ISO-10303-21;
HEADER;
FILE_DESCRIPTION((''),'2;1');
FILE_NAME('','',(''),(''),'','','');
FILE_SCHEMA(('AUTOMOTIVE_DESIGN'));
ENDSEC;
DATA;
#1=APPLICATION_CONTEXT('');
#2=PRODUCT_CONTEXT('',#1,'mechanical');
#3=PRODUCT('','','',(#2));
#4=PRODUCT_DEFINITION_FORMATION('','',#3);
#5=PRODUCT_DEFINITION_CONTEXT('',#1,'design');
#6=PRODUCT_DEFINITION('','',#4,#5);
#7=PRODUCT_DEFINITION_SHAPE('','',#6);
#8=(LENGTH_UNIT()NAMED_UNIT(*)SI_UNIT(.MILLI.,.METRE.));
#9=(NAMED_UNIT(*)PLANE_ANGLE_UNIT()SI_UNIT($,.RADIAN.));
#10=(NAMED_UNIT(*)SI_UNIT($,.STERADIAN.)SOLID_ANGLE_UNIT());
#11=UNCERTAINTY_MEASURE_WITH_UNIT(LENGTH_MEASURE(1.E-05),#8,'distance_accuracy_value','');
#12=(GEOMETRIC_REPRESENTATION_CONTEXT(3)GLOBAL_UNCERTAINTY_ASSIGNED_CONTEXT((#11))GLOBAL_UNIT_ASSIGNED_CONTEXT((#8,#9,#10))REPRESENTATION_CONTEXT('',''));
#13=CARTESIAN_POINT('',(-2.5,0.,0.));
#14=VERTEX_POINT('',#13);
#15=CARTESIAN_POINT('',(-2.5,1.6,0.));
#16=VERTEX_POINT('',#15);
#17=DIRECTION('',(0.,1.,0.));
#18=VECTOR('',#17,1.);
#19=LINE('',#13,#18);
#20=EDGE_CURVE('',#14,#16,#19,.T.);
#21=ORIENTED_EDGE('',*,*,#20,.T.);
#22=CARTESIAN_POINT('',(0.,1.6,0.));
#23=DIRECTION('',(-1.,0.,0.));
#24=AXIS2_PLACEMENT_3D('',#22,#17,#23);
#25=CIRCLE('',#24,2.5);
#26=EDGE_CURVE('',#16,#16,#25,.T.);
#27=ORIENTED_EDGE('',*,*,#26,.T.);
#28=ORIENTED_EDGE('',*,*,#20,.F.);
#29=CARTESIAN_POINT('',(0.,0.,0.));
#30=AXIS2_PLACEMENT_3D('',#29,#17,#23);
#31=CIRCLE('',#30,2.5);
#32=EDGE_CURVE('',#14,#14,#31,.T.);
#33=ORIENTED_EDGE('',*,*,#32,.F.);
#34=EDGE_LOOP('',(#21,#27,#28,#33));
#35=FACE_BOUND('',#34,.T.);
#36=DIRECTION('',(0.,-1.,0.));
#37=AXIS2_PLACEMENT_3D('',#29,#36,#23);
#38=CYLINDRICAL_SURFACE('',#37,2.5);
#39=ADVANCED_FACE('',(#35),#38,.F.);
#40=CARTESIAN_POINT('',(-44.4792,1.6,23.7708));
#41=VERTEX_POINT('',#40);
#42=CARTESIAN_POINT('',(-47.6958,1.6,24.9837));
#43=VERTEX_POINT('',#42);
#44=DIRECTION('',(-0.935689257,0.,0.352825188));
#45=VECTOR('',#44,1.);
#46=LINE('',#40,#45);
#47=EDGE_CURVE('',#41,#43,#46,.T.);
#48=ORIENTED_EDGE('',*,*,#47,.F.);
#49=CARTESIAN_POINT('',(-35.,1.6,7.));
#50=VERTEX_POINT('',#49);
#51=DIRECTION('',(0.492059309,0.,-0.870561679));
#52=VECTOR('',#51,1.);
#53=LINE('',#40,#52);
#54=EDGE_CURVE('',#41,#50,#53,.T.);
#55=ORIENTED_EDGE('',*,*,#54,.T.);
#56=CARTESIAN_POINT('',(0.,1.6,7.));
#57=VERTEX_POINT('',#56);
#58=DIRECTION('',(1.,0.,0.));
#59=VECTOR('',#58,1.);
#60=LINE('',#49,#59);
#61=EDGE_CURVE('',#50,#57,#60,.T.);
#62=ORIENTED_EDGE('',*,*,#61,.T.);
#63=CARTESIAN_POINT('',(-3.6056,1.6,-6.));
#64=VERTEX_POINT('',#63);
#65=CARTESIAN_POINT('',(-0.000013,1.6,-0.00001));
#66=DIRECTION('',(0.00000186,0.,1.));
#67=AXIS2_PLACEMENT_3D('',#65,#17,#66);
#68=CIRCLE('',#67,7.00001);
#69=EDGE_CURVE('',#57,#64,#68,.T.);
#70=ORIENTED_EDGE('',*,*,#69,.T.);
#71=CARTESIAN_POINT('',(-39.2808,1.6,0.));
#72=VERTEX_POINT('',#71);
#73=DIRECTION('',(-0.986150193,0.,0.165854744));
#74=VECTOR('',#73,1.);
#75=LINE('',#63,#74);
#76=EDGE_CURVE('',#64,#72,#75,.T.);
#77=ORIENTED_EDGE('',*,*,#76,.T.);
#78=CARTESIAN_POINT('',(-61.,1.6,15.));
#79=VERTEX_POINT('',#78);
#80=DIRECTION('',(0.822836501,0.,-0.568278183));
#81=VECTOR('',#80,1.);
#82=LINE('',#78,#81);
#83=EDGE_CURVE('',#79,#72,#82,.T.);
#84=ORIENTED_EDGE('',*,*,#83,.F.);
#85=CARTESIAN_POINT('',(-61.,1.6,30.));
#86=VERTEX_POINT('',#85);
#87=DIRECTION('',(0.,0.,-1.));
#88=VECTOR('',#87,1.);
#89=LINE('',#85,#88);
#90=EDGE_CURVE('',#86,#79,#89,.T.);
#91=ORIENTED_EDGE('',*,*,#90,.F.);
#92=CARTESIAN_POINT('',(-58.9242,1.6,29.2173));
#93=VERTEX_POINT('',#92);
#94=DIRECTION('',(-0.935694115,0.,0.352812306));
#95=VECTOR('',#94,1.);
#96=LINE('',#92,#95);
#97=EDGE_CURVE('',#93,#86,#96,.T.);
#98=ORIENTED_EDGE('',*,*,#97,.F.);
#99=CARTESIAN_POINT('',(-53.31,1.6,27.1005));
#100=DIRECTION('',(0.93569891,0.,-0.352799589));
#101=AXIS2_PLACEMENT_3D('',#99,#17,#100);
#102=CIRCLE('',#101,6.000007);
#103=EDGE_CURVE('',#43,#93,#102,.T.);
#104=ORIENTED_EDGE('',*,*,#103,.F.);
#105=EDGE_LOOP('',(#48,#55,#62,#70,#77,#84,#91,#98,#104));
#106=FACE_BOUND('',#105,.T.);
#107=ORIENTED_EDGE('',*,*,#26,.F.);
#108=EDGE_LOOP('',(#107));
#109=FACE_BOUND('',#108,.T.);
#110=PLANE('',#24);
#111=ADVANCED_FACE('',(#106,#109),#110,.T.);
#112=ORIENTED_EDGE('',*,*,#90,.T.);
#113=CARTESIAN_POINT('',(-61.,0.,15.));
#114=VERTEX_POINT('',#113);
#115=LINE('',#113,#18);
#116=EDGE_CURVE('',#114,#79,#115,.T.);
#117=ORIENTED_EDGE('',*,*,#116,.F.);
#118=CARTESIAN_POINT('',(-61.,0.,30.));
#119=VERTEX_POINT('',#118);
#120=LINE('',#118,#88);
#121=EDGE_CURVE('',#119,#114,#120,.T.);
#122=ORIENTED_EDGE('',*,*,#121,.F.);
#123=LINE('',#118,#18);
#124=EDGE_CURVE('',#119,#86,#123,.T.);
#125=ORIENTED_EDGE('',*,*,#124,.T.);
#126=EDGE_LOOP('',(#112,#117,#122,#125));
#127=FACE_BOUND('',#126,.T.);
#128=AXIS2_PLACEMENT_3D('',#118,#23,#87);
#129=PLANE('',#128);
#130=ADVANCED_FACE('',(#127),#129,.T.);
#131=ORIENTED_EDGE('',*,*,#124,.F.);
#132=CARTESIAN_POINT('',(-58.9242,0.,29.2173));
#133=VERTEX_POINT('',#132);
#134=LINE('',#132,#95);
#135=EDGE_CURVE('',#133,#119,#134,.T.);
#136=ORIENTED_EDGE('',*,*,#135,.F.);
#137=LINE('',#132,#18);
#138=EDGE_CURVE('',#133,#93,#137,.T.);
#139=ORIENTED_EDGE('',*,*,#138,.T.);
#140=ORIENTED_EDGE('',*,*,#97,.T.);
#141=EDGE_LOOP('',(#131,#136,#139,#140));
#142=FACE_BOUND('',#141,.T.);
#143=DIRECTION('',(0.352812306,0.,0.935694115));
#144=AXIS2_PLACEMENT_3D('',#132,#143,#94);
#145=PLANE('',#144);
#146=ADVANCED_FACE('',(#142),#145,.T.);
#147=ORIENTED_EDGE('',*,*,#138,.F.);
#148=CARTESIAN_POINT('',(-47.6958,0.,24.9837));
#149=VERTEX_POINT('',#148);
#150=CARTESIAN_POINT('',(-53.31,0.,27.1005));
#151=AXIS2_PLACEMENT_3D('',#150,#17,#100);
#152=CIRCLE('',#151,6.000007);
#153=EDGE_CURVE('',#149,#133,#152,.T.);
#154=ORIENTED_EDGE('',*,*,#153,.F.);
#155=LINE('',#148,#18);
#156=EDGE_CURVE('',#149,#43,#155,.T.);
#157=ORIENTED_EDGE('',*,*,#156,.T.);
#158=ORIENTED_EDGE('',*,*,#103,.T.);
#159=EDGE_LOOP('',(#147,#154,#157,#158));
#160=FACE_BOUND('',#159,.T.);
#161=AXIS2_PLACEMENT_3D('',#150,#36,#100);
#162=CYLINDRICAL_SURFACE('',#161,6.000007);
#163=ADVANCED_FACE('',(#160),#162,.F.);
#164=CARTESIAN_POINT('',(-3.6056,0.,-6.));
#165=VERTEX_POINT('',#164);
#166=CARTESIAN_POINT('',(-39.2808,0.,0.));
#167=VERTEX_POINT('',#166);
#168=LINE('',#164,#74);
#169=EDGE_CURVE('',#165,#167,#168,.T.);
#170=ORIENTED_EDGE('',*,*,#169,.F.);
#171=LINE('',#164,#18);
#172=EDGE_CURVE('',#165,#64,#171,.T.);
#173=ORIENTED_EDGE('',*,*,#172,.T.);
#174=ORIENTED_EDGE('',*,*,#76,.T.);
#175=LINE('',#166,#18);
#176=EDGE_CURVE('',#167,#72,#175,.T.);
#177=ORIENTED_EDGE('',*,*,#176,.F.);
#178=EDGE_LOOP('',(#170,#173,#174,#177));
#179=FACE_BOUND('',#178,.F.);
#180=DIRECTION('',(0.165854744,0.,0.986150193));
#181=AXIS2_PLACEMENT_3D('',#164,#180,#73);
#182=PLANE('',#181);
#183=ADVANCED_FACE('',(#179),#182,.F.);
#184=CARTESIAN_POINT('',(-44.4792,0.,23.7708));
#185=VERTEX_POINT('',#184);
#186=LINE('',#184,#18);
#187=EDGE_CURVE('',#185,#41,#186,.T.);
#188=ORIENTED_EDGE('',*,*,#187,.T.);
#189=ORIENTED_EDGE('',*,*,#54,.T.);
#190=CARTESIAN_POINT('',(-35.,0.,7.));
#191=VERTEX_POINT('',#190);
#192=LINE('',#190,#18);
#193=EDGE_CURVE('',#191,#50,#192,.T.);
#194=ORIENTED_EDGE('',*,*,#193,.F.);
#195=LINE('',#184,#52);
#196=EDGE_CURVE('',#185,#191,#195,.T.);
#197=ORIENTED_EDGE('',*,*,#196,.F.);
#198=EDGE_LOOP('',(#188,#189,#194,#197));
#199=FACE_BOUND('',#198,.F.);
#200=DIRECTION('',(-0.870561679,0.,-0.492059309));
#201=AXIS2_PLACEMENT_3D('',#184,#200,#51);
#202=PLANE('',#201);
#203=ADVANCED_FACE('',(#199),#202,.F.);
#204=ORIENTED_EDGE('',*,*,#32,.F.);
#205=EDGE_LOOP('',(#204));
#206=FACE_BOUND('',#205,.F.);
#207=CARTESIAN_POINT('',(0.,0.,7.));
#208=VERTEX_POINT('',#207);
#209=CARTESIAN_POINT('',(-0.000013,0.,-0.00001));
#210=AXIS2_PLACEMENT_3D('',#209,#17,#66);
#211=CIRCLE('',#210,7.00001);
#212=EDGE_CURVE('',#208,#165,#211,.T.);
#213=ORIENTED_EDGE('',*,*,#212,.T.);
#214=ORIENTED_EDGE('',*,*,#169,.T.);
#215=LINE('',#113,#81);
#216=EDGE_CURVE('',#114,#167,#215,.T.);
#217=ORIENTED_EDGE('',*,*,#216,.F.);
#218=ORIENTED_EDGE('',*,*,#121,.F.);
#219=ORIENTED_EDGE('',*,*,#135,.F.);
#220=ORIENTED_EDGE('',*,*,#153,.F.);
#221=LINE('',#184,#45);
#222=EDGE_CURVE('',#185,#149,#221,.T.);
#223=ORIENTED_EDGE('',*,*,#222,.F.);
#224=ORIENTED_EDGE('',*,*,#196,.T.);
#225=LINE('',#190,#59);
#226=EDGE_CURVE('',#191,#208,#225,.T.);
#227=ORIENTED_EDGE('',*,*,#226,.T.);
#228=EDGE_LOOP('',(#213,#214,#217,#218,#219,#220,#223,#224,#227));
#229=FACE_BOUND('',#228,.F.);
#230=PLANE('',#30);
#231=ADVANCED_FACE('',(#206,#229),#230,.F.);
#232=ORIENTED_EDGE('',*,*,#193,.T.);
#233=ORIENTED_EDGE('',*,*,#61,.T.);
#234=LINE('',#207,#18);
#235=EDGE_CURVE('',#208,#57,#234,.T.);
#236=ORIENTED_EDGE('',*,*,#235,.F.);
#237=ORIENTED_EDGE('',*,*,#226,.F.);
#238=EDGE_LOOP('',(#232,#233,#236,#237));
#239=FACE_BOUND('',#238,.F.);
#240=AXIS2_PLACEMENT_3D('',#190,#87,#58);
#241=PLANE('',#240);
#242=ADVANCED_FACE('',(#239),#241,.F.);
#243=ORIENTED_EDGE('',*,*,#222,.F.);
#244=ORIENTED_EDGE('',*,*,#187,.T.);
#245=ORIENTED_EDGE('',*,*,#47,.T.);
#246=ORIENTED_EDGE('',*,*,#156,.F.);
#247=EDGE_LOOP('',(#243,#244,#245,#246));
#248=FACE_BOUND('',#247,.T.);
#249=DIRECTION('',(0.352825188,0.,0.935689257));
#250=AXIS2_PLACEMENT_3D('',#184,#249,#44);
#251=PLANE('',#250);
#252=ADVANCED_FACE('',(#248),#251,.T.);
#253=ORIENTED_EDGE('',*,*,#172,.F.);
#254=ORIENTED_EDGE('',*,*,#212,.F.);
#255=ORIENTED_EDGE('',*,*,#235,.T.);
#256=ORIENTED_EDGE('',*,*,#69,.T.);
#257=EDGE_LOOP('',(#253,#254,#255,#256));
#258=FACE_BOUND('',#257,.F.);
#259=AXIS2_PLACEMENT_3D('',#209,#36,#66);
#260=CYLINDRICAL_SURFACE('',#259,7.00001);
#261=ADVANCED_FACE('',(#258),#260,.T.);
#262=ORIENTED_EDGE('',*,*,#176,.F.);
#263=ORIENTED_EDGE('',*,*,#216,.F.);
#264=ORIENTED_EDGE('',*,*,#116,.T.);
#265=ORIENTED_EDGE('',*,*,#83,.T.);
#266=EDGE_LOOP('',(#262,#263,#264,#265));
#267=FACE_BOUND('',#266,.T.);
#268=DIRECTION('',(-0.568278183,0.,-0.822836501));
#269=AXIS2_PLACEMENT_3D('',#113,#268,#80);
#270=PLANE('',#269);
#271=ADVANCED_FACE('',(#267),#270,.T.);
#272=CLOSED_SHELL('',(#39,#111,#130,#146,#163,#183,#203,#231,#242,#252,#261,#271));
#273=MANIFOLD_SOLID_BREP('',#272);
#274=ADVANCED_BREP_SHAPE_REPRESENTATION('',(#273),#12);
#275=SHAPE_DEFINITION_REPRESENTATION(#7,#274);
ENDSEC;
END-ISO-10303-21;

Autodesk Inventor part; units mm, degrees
ref_plane "YZ Plane" through (0, 0, 0) normal (1, 0, 0) x (0, 1, 0)
ref_plane "XZ Plane" through (0, 0, 0) normal (0, 1, 0) x (-1, 0, 0)
ref_plane "XY Plane" through (0, 0, 0) normal (0, 0, 1) x (1, 0, 0)
sketch "Szkic1" plane through (0, 0, 0) normal (0, 1, 0) x (-1, 0, 0)
  arc A0 (0, 7) -> (3.6056, -6) centre (0, 0) ccw
  line L0 (3.6056, -6) -> (39.2808, 0)
  line L1 (44.4792, 23.7708) -> (35, 7)
  line L2 (35, 7) -> (0, 7)
  circle A1 centre (0, 0) radius 2.5
  line L3 (61, 30) -> (61, 15)
  line L4 (61, 15) -> (39.2808, 0)
  arc A2 (47.6958, 24.9837) -> (58.9242, 29.2173) centre (53.31, 27.1005) ccw
  line L5 (44.4792, 23.7708) -> (47.6958, 24.9837)
  line L6 (58.9242, 29.2173) -> (61, 30)
  dimension "d0" = 14
  dimension "d1" = 5
  dimension "d5" = 12
extrude "Wyciągnięcie proste1" add sketch "Szkic1" along normal blind 1.6
properties part number "efektor szczypce1"
